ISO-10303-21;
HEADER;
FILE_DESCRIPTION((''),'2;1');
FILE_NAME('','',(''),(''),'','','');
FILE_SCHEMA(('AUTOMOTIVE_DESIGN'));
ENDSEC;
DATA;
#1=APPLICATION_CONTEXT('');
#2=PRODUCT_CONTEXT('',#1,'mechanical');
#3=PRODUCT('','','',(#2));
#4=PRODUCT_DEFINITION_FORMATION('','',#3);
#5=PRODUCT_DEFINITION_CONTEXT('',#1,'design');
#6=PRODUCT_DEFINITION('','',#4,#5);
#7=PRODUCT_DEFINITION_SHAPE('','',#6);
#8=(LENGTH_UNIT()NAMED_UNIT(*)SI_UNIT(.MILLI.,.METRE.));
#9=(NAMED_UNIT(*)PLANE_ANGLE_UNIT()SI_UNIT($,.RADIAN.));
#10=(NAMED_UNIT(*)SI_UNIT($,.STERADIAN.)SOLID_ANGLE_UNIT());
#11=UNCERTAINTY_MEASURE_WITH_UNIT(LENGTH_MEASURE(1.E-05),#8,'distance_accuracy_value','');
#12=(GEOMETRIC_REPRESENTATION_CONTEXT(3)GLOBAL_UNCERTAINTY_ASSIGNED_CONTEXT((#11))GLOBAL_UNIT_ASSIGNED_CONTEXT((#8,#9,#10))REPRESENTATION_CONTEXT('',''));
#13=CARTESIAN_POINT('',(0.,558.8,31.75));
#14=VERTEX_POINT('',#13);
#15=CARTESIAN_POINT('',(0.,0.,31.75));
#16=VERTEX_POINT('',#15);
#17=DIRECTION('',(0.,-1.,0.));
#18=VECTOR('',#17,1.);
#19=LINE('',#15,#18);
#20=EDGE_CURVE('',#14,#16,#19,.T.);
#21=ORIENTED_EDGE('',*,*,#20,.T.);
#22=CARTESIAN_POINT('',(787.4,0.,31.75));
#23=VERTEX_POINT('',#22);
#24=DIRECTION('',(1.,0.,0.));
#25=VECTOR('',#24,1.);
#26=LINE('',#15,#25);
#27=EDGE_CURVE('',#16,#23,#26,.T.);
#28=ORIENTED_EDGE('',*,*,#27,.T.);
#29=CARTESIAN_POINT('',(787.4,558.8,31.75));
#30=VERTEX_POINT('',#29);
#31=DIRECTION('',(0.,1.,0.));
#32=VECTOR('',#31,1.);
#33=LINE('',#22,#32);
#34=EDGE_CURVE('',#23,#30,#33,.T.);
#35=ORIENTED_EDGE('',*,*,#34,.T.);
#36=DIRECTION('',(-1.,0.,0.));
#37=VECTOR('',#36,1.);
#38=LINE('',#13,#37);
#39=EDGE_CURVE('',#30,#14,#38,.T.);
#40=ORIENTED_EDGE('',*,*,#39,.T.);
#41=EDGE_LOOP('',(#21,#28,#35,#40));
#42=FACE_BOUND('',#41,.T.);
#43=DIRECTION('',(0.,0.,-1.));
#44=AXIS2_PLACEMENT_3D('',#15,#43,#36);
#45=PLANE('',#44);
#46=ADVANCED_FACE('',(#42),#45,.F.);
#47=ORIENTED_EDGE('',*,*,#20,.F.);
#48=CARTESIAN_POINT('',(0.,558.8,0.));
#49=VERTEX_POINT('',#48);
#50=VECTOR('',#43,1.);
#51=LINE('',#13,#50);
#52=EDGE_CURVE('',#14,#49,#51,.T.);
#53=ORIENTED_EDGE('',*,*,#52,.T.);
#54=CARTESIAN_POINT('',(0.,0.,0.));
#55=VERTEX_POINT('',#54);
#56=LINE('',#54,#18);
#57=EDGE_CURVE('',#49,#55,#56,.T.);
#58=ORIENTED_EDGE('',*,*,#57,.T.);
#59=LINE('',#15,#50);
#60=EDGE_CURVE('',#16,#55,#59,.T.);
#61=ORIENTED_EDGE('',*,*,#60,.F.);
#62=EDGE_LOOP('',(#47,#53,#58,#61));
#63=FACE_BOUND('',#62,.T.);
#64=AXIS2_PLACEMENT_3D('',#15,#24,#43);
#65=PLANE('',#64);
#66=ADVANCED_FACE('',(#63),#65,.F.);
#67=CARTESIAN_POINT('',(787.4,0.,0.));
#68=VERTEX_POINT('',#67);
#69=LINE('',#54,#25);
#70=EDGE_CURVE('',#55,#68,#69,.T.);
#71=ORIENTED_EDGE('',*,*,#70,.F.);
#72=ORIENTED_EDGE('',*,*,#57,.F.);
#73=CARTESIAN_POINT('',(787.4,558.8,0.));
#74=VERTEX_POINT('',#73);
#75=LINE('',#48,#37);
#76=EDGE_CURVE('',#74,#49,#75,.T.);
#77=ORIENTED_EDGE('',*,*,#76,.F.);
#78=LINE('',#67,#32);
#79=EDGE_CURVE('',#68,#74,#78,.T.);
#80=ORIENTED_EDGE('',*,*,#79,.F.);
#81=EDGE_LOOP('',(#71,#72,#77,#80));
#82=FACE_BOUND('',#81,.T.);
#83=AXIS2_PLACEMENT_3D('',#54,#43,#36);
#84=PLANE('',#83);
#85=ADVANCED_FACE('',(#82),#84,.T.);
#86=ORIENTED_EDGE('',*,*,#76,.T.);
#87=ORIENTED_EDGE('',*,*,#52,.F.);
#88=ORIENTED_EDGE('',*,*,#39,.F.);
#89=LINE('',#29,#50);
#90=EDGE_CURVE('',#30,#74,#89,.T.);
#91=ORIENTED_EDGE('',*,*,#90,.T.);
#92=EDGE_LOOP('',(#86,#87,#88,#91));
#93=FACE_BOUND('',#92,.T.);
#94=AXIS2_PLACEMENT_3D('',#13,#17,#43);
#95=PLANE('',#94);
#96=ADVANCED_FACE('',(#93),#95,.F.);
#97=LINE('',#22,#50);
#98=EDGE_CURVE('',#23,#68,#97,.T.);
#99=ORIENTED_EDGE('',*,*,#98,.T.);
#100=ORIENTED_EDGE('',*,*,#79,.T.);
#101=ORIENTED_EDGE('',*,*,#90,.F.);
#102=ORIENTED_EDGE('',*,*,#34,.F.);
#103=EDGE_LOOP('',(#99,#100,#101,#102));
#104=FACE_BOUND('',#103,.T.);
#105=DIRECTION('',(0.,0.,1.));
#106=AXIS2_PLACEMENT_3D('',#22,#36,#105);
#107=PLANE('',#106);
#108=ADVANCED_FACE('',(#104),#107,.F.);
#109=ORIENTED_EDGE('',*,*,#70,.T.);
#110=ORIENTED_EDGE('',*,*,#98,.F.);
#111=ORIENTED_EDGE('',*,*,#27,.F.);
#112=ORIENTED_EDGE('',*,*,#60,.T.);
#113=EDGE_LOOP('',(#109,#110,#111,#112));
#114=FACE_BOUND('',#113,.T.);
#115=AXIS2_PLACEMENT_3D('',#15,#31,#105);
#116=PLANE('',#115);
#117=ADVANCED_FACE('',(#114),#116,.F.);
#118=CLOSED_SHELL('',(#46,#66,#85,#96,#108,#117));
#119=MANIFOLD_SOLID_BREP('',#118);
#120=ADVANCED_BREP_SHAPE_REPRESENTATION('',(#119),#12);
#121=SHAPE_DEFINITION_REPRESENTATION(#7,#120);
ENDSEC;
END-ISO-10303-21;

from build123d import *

# Parameters (mm, degrees)
SKETCH1_W           = 787.4
SKETCH1_H           = 558.8
BOSS_EXTRUDE1_DEPTH = 31.75


with BuildPart() as part:
    # Sketch1 → Boss-Extrude1 (new body)
    with BuildSketch(Plane.XY):
        with Locations((393.7, 279.4)):
            Rectangle(SKETCH1_W, SKETCH1_H)
    extrude(amount=BOSS_EXTRUDE1_DEPTH)


solid = part.part
